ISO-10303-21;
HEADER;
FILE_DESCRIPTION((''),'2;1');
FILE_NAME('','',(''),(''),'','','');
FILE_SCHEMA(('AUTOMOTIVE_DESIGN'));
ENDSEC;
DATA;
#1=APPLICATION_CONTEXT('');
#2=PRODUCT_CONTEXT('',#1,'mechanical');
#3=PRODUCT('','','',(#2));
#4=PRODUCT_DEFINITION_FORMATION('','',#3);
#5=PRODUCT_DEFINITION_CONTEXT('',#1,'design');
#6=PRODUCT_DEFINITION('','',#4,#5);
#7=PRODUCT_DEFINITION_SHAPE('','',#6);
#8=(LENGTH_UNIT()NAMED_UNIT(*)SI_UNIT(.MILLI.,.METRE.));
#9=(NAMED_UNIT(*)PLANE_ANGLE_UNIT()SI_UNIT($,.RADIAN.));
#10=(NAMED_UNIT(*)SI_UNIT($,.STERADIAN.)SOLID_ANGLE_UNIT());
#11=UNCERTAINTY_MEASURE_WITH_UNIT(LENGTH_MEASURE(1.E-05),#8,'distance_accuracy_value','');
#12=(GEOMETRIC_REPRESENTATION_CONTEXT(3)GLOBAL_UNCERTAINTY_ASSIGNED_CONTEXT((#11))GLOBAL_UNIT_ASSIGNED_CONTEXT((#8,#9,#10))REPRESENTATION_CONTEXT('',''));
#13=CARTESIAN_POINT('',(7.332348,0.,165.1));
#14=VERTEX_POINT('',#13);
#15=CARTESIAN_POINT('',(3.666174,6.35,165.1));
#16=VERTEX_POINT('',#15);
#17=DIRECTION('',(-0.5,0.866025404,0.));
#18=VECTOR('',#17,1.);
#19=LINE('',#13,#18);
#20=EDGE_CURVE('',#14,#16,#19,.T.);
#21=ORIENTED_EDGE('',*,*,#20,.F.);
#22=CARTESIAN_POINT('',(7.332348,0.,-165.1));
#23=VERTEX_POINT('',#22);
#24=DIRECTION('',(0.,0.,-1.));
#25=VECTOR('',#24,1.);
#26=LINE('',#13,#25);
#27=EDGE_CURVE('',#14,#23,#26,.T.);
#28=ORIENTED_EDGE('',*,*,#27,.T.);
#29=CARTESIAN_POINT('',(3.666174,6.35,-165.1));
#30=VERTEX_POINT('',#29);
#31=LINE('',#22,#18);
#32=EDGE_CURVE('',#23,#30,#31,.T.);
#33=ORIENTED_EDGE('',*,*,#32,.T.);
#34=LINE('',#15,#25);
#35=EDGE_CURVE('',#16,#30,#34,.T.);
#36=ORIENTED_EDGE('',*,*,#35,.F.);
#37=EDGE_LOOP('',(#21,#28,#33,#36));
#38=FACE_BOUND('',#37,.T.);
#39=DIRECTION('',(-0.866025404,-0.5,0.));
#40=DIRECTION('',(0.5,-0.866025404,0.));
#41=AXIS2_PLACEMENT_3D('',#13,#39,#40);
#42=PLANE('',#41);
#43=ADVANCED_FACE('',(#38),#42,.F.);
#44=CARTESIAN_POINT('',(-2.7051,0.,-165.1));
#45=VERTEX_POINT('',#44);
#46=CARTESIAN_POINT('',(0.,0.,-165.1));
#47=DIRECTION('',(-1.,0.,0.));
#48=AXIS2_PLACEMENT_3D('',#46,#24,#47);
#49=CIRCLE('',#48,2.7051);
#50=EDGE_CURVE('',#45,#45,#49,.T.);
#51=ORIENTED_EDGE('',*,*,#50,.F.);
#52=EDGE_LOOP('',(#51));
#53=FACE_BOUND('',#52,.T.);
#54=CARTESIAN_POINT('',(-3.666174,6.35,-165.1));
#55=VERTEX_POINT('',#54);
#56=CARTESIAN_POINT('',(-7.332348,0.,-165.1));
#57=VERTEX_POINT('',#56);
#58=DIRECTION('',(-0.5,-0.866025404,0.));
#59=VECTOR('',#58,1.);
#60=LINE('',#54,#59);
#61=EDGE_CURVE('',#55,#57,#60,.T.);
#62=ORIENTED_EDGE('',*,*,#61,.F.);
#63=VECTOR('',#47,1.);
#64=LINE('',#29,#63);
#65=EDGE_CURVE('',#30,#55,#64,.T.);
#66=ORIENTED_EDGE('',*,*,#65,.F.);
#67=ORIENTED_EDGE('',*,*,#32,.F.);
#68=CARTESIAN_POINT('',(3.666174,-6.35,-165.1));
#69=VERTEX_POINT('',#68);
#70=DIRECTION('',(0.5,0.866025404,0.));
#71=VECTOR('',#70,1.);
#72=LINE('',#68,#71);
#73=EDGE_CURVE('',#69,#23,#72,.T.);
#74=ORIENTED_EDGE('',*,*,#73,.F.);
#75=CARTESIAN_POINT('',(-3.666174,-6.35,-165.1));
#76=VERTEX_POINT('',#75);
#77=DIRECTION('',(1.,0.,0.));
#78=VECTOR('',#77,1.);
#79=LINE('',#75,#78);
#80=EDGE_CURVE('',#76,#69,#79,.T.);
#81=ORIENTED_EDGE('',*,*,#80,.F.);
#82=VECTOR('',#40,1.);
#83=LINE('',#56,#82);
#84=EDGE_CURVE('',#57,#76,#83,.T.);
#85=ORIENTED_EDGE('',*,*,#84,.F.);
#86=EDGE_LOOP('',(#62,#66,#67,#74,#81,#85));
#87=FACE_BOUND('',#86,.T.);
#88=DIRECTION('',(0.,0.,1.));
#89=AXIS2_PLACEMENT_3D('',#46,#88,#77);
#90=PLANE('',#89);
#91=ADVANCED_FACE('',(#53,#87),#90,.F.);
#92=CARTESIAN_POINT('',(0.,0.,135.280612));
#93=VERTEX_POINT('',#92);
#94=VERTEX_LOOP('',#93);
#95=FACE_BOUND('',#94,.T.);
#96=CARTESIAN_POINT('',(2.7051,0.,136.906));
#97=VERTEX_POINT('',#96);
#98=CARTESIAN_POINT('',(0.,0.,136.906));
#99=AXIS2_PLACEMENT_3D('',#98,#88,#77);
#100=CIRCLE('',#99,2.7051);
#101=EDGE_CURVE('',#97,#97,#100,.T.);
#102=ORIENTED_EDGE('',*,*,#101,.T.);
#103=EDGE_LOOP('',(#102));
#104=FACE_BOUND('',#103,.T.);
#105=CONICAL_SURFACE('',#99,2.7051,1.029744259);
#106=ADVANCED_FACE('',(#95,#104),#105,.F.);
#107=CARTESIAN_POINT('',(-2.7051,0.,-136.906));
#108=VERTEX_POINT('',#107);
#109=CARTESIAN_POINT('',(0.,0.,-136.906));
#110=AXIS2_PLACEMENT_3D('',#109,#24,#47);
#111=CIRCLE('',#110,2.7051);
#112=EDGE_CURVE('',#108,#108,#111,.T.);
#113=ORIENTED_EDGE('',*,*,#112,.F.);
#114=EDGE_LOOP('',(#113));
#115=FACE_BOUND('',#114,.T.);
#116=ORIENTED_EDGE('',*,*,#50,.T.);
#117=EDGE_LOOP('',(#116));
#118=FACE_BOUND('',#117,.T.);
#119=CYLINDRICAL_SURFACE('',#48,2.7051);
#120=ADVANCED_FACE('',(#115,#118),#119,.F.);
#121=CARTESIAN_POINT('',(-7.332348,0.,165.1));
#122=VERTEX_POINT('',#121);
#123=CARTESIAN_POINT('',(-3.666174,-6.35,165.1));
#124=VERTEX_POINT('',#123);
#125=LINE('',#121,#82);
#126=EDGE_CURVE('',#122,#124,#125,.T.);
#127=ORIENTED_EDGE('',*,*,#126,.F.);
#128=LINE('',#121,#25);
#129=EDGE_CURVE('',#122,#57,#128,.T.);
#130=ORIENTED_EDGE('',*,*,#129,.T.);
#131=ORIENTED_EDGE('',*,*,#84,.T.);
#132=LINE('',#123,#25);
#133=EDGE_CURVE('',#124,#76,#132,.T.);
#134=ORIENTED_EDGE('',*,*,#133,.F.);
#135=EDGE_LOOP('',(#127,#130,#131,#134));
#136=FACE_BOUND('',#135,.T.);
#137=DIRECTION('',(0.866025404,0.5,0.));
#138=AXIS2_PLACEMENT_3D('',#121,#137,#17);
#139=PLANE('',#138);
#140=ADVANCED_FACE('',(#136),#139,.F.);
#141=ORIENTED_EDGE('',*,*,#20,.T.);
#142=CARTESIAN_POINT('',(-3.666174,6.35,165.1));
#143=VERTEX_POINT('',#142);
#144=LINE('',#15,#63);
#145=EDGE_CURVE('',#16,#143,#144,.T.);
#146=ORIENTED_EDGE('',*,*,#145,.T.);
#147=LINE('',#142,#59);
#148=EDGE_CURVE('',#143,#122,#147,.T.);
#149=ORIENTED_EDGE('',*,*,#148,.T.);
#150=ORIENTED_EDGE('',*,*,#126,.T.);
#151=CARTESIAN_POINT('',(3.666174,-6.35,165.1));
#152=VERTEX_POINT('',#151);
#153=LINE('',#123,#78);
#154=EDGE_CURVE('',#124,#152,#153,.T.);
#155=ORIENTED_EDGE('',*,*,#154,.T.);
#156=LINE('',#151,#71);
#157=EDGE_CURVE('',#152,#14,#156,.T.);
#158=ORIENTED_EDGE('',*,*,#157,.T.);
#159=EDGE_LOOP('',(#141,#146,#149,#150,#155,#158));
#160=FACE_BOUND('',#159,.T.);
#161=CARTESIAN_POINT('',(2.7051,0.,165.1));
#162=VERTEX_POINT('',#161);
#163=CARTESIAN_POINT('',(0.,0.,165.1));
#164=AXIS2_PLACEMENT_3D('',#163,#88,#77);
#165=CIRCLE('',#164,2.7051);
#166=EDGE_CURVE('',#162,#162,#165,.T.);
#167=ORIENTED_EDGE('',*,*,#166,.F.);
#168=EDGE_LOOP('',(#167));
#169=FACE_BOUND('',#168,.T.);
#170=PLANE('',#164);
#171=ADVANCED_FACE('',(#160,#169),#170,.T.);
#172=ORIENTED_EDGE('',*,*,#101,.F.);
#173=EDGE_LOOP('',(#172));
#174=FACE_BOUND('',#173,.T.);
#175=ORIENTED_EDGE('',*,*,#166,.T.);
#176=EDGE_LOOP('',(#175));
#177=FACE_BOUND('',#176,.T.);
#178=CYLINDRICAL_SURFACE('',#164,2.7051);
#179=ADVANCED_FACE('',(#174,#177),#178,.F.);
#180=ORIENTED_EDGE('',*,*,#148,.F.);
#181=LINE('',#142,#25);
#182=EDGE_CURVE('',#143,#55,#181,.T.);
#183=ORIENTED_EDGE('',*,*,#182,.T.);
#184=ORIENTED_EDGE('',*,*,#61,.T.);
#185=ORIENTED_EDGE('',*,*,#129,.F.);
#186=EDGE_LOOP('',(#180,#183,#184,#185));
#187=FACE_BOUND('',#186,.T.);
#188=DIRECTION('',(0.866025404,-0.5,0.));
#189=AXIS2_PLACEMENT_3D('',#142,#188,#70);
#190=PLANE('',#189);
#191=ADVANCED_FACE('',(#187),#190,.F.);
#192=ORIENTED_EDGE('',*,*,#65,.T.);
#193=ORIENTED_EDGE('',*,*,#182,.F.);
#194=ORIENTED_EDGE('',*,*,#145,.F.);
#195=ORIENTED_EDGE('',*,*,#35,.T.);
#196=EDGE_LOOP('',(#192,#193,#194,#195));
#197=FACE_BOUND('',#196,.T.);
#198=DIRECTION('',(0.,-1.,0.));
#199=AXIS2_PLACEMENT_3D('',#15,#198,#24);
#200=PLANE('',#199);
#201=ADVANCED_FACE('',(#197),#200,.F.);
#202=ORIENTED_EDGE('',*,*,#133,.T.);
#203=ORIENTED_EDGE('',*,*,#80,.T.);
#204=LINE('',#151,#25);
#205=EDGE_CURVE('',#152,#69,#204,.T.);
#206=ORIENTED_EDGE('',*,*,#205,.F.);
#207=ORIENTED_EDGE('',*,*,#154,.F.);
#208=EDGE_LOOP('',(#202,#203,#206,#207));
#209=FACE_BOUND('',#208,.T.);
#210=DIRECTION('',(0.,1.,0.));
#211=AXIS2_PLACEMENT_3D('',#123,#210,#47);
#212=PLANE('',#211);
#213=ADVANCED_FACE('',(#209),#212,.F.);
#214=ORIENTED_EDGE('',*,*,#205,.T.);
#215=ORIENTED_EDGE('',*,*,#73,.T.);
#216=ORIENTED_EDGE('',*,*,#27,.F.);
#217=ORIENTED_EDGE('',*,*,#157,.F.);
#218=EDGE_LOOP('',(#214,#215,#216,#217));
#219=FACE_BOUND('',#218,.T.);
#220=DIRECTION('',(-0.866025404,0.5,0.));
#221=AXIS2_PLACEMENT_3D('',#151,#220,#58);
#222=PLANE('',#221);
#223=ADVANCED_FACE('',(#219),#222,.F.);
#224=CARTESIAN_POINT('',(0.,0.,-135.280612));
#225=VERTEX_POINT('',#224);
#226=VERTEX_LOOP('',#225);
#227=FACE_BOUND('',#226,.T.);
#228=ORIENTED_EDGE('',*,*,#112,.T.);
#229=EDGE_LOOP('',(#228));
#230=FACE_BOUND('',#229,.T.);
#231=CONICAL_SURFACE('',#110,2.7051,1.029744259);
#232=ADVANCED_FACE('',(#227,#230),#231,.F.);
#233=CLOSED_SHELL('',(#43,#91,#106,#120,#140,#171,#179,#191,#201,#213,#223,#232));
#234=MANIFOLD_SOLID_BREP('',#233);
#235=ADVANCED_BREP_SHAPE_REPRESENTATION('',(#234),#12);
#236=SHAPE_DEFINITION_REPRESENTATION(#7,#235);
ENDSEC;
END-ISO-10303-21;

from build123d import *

# Parameters (mm, degrees)
BOSS_EXTRUDE1_DEPTH                   = 165.1
F_1_4_28_TAPPED_HOLE1_D               = 5.4102
F_1_4_28_TAPPED_HOLE1_DEPTH           = 28.194
F_1_4_28_TAPPED_HOLE1_TIP             = 1.625388061
F_1_4_28_TAPPED_HOLE1_ON_FACE_2_D     = 5.4102
F_1_4_28_TAPPED_HOLE1_ON_FACE_2_DEPTH = 28.194
F_1_4_28_TAPPED_HOLE1_ON_FACE_2_TIP   = 1.625388061


with BuildPart() as part:
    # Sketch1 → Boss-Extrude1 (new, symmetric)
    with BuildSketch(Plane.XY):
        Polygon((7.332348419, 0), (3.666174209, 6.35), (-3.666174209, 6.35), (-7.332348419, 0), (-3.666174209, -6.35), (3.666174209, -6.35), align=None)
    extrude(amount=BOSS_EXTRUDE1_DEPTH, both=True)

    # 1/4-28 Tapped Hole1
    with Locations(Plane.XY.offset(165.1)):
        with Locations((0, 0)):
            Hole(F_1_4_28_TAPPED_HOLE1_D / 2, depth=F_1_4_28_TAPPED_HOLE1_DEPTH)
            with Locations((0, 0, -(F_1_4_28_TAPPED_HOLE1_DEPTH + F_1_4_28_TAPPED_HOLE1_TIP / 2))):  # 118° drill point
                Cone(0, F_1_4_28_TAPPED_HOLE1_D / 2, F_1_4_28_TAPPED_HOLE1_TIP, mode=Mode.SUBTRACT)

    # 1/4-28 Tapped Hole1 on face 2
    with Locations(Plane(origin=(0, 0, -165.1), x_dir=(-1, 0, 0), z_dir=(0, 0, -1))):
        with Locations((0, 0)):
            Hole(F_1_4_28_TAPPED_HOLE1_ON_FACE_2_D / 2, depth=F_1_4_28_TAPPED_HOLE1_ON_FACE_2_DEPTH)
            with Locations((0, 0, -(F_1_4_28_TAPPED_HOLE1_ON_FACE_2_DEPTH + F_1_4_28_TAPPED_HOLE1_ON_FACE_2_TIP / 2))):  # 118° drill point
                Cone(0, F_1_4_28_TAPPED_HOLE1_ON_FACE_2_D / 2, F_1_4_28_TAPPED_HOLE1_ON_FACE_2_TIP, mode=Mode.SUBTRACT)


solid = part.part
